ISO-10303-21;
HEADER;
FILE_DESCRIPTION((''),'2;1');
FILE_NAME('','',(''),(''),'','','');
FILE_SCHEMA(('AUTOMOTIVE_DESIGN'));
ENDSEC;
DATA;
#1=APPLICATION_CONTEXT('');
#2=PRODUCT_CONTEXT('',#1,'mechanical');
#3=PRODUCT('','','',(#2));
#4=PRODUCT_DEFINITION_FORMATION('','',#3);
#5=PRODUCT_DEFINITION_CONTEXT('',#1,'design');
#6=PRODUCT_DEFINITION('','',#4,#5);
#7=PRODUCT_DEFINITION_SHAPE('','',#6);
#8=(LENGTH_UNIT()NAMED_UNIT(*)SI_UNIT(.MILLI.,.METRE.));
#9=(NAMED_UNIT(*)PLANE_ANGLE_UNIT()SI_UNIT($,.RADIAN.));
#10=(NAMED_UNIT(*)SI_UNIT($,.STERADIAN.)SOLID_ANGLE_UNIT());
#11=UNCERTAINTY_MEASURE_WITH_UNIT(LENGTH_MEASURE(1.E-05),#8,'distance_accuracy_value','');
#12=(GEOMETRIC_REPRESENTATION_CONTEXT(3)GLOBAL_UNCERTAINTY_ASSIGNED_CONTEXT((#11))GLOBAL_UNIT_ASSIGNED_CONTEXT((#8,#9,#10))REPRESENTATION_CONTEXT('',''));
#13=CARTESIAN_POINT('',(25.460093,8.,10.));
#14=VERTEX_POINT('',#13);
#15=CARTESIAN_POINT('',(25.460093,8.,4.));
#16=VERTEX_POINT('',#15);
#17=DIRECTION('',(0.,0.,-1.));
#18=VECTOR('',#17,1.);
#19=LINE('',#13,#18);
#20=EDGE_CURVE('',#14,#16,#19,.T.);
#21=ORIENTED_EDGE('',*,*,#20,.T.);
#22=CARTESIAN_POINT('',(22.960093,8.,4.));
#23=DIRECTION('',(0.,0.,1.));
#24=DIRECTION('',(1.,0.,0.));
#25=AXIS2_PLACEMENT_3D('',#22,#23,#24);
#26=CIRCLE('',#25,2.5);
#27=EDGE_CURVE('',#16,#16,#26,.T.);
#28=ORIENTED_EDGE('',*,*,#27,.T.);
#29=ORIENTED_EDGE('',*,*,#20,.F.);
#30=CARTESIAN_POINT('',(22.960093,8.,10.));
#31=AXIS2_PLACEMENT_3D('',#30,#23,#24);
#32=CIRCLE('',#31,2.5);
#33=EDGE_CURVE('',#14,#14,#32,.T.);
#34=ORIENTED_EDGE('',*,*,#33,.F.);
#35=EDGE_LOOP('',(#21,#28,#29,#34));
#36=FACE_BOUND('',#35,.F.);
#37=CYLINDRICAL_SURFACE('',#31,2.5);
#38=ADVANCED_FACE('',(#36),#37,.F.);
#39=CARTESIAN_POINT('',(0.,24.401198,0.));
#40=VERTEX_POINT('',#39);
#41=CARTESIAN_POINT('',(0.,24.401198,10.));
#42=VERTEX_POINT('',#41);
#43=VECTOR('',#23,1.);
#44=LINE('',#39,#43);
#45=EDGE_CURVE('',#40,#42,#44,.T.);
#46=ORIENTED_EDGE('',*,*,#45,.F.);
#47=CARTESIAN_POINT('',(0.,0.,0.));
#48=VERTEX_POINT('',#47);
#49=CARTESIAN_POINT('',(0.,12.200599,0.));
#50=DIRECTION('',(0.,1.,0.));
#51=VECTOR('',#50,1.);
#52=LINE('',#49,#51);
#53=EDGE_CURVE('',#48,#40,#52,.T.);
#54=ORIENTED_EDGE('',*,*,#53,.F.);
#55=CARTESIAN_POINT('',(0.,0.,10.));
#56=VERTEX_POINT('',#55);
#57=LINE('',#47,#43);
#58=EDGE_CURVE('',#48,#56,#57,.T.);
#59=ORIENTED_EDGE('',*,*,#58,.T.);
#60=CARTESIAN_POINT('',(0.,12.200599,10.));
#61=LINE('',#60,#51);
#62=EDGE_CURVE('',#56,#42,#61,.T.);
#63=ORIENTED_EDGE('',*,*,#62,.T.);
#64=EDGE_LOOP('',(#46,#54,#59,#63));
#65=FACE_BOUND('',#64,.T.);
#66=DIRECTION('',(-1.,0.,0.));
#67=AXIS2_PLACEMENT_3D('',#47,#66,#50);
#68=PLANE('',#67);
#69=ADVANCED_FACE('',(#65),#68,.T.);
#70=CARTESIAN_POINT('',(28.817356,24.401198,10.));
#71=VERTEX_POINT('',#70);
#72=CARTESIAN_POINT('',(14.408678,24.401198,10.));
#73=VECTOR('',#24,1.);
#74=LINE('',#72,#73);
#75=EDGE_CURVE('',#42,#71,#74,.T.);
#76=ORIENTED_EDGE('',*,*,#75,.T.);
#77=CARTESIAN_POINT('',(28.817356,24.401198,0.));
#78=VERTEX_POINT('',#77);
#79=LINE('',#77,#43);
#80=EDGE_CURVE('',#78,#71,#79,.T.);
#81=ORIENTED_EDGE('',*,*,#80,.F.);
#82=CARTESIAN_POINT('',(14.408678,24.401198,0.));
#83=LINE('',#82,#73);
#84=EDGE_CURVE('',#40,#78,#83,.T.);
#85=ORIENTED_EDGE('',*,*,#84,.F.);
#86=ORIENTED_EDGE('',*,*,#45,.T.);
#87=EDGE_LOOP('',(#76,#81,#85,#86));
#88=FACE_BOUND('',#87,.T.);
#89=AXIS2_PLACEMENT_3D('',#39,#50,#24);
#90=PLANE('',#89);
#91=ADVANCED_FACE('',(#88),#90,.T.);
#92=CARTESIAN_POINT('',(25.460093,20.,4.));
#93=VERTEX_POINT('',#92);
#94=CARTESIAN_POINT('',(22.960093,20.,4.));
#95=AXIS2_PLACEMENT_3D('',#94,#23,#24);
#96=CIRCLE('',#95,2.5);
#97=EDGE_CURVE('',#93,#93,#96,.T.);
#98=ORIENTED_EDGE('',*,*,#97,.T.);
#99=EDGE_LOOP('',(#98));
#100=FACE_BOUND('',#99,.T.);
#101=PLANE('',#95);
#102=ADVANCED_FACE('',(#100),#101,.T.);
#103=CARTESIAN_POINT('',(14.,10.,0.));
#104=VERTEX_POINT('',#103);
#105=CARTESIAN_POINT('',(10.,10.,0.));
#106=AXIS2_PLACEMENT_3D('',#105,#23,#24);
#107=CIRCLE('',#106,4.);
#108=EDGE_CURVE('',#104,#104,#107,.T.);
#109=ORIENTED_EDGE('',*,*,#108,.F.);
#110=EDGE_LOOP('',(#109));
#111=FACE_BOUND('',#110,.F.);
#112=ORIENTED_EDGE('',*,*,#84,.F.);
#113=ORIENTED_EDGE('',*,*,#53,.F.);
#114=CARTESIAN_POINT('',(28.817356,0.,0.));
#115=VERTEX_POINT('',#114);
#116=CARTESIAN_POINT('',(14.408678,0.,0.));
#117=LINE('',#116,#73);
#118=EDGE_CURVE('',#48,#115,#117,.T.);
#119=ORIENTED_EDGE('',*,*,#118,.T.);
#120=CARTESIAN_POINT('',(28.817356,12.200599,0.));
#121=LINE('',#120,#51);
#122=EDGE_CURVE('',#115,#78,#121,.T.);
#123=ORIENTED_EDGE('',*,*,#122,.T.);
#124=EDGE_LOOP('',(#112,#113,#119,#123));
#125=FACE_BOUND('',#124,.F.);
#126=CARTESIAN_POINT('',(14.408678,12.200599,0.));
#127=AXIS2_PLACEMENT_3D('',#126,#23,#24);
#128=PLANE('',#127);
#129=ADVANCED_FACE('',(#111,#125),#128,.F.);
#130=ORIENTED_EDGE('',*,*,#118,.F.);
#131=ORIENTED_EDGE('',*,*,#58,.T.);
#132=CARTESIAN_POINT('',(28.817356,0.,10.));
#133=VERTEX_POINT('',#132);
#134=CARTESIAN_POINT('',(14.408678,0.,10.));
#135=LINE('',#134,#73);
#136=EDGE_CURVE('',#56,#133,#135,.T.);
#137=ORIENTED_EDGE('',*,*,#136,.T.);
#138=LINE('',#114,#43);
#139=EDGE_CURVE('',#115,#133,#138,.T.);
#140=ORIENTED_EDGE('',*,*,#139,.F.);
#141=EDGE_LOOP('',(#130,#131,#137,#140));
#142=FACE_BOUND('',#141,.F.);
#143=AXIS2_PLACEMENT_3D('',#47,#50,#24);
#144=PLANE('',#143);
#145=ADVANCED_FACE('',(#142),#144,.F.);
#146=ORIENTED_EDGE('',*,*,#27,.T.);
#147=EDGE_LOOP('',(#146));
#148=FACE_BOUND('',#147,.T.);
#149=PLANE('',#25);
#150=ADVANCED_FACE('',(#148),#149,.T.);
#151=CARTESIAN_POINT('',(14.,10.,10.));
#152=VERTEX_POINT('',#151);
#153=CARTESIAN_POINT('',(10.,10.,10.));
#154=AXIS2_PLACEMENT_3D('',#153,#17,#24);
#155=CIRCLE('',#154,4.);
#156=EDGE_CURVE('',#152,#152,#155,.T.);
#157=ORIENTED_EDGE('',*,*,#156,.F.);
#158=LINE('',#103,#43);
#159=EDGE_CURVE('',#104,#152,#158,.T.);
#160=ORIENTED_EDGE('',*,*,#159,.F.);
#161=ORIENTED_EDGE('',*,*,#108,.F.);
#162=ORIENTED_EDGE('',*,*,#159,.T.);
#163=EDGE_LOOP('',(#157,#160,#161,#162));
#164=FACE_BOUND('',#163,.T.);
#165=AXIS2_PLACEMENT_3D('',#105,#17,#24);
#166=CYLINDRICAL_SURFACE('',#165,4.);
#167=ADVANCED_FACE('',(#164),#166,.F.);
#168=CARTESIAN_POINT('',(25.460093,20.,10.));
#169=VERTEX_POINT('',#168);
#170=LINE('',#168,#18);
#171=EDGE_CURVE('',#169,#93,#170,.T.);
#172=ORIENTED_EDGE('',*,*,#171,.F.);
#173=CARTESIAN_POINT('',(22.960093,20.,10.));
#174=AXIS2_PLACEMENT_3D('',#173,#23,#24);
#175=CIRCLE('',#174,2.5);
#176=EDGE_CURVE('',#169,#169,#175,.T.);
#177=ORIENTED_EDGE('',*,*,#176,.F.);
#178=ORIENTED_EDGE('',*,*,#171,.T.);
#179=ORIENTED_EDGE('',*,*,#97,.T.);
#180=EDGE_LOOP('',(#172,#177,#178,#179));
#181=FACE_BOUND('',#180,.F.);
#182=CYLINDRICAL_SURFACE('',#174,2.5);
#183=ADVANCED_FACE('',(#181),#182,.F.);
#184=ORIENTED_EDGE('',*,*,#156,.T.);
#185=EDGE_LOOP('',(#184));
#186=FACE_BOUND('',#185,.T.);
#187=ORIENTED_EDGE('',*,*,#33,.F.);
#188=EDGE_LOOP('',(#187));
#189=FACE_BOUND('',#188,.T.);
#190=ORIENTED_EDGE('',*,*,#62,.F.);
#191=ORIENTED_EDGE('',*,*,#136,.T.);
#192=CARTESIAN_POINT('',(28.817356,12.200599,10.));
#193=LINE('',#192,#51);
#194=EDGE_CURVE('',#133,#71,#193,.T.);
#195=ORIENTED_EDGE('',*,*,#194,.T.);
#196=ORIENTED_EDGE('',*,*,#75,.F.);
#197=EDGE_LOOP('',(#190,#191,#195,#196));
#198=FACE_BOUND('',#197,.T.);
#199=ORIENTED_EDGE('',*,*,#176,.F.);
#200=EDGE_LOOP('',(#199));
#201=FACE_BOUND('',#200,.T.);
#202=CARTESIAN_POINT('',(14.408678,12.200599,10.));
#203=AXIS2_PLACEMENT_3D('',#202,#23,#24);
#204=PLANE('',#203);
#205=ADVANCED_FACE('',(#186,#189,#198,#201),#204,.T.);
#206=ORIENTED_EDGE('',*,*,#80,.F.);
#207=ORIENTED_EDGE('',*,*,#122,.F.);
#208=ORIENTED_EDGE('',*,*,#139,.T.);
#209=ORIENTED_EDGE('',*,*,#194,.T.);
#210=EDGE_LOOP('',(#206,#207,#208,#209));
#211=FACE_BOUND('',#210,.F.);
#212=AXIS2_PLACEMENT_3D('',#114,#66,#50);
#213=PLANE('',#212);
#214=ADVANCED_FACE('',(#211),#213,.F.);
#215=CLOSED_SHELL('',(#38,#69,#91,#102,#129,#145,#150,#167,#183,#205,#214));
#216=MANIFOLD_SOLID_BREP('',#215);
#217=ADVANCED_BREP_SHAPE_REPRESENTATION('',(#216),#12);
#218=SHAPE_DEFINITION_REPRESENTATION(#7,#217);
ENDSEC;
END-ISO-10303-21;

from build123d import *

# Parameters (mm, degrees)
SKETCH_W        = 28.817356
SKETCH_H        = 24.401199
PAD_DEPTH       = 10
SKETCH001_R     = 4
POCKET_DEPTH    = 10.001
SKETCH002_R     = 2.5
POCKET001_DEPTH = 6


with BuildPart() as part:
    # Sketch → Pad (new body)
    with BuildSketch(Plane.XY):
        with Locations((14.408678, 12.200599)):
            Rectangle(SKETCH_W, SKETCH_H)
    extrude(amount=PAD_DEPTH)

    # Sketch001 → Pocket (cut, through all)
    with BuildSketch(Plane.XY):
        with Locations((10, 10)):
            Circle(SKETCH001_R)
    extrude(amount=POCKET_DEPTH, mode=Mode.SUBTRACT)

    # Sketch002 (on Face5 of Pocket) → Pocket001 (cut)
    with BuildSketch(Plane.XY.offset(10)):
        with Locations((22.960093, 8)):
            Circle(SKETCH002_R)
        with Locations((22.960093, 20)):
            Circle(SKETCH002_R)
    extrude(amount=-POCKET001_DEPTH, mode=Mode.SUBTRACT)


solid = part.part
